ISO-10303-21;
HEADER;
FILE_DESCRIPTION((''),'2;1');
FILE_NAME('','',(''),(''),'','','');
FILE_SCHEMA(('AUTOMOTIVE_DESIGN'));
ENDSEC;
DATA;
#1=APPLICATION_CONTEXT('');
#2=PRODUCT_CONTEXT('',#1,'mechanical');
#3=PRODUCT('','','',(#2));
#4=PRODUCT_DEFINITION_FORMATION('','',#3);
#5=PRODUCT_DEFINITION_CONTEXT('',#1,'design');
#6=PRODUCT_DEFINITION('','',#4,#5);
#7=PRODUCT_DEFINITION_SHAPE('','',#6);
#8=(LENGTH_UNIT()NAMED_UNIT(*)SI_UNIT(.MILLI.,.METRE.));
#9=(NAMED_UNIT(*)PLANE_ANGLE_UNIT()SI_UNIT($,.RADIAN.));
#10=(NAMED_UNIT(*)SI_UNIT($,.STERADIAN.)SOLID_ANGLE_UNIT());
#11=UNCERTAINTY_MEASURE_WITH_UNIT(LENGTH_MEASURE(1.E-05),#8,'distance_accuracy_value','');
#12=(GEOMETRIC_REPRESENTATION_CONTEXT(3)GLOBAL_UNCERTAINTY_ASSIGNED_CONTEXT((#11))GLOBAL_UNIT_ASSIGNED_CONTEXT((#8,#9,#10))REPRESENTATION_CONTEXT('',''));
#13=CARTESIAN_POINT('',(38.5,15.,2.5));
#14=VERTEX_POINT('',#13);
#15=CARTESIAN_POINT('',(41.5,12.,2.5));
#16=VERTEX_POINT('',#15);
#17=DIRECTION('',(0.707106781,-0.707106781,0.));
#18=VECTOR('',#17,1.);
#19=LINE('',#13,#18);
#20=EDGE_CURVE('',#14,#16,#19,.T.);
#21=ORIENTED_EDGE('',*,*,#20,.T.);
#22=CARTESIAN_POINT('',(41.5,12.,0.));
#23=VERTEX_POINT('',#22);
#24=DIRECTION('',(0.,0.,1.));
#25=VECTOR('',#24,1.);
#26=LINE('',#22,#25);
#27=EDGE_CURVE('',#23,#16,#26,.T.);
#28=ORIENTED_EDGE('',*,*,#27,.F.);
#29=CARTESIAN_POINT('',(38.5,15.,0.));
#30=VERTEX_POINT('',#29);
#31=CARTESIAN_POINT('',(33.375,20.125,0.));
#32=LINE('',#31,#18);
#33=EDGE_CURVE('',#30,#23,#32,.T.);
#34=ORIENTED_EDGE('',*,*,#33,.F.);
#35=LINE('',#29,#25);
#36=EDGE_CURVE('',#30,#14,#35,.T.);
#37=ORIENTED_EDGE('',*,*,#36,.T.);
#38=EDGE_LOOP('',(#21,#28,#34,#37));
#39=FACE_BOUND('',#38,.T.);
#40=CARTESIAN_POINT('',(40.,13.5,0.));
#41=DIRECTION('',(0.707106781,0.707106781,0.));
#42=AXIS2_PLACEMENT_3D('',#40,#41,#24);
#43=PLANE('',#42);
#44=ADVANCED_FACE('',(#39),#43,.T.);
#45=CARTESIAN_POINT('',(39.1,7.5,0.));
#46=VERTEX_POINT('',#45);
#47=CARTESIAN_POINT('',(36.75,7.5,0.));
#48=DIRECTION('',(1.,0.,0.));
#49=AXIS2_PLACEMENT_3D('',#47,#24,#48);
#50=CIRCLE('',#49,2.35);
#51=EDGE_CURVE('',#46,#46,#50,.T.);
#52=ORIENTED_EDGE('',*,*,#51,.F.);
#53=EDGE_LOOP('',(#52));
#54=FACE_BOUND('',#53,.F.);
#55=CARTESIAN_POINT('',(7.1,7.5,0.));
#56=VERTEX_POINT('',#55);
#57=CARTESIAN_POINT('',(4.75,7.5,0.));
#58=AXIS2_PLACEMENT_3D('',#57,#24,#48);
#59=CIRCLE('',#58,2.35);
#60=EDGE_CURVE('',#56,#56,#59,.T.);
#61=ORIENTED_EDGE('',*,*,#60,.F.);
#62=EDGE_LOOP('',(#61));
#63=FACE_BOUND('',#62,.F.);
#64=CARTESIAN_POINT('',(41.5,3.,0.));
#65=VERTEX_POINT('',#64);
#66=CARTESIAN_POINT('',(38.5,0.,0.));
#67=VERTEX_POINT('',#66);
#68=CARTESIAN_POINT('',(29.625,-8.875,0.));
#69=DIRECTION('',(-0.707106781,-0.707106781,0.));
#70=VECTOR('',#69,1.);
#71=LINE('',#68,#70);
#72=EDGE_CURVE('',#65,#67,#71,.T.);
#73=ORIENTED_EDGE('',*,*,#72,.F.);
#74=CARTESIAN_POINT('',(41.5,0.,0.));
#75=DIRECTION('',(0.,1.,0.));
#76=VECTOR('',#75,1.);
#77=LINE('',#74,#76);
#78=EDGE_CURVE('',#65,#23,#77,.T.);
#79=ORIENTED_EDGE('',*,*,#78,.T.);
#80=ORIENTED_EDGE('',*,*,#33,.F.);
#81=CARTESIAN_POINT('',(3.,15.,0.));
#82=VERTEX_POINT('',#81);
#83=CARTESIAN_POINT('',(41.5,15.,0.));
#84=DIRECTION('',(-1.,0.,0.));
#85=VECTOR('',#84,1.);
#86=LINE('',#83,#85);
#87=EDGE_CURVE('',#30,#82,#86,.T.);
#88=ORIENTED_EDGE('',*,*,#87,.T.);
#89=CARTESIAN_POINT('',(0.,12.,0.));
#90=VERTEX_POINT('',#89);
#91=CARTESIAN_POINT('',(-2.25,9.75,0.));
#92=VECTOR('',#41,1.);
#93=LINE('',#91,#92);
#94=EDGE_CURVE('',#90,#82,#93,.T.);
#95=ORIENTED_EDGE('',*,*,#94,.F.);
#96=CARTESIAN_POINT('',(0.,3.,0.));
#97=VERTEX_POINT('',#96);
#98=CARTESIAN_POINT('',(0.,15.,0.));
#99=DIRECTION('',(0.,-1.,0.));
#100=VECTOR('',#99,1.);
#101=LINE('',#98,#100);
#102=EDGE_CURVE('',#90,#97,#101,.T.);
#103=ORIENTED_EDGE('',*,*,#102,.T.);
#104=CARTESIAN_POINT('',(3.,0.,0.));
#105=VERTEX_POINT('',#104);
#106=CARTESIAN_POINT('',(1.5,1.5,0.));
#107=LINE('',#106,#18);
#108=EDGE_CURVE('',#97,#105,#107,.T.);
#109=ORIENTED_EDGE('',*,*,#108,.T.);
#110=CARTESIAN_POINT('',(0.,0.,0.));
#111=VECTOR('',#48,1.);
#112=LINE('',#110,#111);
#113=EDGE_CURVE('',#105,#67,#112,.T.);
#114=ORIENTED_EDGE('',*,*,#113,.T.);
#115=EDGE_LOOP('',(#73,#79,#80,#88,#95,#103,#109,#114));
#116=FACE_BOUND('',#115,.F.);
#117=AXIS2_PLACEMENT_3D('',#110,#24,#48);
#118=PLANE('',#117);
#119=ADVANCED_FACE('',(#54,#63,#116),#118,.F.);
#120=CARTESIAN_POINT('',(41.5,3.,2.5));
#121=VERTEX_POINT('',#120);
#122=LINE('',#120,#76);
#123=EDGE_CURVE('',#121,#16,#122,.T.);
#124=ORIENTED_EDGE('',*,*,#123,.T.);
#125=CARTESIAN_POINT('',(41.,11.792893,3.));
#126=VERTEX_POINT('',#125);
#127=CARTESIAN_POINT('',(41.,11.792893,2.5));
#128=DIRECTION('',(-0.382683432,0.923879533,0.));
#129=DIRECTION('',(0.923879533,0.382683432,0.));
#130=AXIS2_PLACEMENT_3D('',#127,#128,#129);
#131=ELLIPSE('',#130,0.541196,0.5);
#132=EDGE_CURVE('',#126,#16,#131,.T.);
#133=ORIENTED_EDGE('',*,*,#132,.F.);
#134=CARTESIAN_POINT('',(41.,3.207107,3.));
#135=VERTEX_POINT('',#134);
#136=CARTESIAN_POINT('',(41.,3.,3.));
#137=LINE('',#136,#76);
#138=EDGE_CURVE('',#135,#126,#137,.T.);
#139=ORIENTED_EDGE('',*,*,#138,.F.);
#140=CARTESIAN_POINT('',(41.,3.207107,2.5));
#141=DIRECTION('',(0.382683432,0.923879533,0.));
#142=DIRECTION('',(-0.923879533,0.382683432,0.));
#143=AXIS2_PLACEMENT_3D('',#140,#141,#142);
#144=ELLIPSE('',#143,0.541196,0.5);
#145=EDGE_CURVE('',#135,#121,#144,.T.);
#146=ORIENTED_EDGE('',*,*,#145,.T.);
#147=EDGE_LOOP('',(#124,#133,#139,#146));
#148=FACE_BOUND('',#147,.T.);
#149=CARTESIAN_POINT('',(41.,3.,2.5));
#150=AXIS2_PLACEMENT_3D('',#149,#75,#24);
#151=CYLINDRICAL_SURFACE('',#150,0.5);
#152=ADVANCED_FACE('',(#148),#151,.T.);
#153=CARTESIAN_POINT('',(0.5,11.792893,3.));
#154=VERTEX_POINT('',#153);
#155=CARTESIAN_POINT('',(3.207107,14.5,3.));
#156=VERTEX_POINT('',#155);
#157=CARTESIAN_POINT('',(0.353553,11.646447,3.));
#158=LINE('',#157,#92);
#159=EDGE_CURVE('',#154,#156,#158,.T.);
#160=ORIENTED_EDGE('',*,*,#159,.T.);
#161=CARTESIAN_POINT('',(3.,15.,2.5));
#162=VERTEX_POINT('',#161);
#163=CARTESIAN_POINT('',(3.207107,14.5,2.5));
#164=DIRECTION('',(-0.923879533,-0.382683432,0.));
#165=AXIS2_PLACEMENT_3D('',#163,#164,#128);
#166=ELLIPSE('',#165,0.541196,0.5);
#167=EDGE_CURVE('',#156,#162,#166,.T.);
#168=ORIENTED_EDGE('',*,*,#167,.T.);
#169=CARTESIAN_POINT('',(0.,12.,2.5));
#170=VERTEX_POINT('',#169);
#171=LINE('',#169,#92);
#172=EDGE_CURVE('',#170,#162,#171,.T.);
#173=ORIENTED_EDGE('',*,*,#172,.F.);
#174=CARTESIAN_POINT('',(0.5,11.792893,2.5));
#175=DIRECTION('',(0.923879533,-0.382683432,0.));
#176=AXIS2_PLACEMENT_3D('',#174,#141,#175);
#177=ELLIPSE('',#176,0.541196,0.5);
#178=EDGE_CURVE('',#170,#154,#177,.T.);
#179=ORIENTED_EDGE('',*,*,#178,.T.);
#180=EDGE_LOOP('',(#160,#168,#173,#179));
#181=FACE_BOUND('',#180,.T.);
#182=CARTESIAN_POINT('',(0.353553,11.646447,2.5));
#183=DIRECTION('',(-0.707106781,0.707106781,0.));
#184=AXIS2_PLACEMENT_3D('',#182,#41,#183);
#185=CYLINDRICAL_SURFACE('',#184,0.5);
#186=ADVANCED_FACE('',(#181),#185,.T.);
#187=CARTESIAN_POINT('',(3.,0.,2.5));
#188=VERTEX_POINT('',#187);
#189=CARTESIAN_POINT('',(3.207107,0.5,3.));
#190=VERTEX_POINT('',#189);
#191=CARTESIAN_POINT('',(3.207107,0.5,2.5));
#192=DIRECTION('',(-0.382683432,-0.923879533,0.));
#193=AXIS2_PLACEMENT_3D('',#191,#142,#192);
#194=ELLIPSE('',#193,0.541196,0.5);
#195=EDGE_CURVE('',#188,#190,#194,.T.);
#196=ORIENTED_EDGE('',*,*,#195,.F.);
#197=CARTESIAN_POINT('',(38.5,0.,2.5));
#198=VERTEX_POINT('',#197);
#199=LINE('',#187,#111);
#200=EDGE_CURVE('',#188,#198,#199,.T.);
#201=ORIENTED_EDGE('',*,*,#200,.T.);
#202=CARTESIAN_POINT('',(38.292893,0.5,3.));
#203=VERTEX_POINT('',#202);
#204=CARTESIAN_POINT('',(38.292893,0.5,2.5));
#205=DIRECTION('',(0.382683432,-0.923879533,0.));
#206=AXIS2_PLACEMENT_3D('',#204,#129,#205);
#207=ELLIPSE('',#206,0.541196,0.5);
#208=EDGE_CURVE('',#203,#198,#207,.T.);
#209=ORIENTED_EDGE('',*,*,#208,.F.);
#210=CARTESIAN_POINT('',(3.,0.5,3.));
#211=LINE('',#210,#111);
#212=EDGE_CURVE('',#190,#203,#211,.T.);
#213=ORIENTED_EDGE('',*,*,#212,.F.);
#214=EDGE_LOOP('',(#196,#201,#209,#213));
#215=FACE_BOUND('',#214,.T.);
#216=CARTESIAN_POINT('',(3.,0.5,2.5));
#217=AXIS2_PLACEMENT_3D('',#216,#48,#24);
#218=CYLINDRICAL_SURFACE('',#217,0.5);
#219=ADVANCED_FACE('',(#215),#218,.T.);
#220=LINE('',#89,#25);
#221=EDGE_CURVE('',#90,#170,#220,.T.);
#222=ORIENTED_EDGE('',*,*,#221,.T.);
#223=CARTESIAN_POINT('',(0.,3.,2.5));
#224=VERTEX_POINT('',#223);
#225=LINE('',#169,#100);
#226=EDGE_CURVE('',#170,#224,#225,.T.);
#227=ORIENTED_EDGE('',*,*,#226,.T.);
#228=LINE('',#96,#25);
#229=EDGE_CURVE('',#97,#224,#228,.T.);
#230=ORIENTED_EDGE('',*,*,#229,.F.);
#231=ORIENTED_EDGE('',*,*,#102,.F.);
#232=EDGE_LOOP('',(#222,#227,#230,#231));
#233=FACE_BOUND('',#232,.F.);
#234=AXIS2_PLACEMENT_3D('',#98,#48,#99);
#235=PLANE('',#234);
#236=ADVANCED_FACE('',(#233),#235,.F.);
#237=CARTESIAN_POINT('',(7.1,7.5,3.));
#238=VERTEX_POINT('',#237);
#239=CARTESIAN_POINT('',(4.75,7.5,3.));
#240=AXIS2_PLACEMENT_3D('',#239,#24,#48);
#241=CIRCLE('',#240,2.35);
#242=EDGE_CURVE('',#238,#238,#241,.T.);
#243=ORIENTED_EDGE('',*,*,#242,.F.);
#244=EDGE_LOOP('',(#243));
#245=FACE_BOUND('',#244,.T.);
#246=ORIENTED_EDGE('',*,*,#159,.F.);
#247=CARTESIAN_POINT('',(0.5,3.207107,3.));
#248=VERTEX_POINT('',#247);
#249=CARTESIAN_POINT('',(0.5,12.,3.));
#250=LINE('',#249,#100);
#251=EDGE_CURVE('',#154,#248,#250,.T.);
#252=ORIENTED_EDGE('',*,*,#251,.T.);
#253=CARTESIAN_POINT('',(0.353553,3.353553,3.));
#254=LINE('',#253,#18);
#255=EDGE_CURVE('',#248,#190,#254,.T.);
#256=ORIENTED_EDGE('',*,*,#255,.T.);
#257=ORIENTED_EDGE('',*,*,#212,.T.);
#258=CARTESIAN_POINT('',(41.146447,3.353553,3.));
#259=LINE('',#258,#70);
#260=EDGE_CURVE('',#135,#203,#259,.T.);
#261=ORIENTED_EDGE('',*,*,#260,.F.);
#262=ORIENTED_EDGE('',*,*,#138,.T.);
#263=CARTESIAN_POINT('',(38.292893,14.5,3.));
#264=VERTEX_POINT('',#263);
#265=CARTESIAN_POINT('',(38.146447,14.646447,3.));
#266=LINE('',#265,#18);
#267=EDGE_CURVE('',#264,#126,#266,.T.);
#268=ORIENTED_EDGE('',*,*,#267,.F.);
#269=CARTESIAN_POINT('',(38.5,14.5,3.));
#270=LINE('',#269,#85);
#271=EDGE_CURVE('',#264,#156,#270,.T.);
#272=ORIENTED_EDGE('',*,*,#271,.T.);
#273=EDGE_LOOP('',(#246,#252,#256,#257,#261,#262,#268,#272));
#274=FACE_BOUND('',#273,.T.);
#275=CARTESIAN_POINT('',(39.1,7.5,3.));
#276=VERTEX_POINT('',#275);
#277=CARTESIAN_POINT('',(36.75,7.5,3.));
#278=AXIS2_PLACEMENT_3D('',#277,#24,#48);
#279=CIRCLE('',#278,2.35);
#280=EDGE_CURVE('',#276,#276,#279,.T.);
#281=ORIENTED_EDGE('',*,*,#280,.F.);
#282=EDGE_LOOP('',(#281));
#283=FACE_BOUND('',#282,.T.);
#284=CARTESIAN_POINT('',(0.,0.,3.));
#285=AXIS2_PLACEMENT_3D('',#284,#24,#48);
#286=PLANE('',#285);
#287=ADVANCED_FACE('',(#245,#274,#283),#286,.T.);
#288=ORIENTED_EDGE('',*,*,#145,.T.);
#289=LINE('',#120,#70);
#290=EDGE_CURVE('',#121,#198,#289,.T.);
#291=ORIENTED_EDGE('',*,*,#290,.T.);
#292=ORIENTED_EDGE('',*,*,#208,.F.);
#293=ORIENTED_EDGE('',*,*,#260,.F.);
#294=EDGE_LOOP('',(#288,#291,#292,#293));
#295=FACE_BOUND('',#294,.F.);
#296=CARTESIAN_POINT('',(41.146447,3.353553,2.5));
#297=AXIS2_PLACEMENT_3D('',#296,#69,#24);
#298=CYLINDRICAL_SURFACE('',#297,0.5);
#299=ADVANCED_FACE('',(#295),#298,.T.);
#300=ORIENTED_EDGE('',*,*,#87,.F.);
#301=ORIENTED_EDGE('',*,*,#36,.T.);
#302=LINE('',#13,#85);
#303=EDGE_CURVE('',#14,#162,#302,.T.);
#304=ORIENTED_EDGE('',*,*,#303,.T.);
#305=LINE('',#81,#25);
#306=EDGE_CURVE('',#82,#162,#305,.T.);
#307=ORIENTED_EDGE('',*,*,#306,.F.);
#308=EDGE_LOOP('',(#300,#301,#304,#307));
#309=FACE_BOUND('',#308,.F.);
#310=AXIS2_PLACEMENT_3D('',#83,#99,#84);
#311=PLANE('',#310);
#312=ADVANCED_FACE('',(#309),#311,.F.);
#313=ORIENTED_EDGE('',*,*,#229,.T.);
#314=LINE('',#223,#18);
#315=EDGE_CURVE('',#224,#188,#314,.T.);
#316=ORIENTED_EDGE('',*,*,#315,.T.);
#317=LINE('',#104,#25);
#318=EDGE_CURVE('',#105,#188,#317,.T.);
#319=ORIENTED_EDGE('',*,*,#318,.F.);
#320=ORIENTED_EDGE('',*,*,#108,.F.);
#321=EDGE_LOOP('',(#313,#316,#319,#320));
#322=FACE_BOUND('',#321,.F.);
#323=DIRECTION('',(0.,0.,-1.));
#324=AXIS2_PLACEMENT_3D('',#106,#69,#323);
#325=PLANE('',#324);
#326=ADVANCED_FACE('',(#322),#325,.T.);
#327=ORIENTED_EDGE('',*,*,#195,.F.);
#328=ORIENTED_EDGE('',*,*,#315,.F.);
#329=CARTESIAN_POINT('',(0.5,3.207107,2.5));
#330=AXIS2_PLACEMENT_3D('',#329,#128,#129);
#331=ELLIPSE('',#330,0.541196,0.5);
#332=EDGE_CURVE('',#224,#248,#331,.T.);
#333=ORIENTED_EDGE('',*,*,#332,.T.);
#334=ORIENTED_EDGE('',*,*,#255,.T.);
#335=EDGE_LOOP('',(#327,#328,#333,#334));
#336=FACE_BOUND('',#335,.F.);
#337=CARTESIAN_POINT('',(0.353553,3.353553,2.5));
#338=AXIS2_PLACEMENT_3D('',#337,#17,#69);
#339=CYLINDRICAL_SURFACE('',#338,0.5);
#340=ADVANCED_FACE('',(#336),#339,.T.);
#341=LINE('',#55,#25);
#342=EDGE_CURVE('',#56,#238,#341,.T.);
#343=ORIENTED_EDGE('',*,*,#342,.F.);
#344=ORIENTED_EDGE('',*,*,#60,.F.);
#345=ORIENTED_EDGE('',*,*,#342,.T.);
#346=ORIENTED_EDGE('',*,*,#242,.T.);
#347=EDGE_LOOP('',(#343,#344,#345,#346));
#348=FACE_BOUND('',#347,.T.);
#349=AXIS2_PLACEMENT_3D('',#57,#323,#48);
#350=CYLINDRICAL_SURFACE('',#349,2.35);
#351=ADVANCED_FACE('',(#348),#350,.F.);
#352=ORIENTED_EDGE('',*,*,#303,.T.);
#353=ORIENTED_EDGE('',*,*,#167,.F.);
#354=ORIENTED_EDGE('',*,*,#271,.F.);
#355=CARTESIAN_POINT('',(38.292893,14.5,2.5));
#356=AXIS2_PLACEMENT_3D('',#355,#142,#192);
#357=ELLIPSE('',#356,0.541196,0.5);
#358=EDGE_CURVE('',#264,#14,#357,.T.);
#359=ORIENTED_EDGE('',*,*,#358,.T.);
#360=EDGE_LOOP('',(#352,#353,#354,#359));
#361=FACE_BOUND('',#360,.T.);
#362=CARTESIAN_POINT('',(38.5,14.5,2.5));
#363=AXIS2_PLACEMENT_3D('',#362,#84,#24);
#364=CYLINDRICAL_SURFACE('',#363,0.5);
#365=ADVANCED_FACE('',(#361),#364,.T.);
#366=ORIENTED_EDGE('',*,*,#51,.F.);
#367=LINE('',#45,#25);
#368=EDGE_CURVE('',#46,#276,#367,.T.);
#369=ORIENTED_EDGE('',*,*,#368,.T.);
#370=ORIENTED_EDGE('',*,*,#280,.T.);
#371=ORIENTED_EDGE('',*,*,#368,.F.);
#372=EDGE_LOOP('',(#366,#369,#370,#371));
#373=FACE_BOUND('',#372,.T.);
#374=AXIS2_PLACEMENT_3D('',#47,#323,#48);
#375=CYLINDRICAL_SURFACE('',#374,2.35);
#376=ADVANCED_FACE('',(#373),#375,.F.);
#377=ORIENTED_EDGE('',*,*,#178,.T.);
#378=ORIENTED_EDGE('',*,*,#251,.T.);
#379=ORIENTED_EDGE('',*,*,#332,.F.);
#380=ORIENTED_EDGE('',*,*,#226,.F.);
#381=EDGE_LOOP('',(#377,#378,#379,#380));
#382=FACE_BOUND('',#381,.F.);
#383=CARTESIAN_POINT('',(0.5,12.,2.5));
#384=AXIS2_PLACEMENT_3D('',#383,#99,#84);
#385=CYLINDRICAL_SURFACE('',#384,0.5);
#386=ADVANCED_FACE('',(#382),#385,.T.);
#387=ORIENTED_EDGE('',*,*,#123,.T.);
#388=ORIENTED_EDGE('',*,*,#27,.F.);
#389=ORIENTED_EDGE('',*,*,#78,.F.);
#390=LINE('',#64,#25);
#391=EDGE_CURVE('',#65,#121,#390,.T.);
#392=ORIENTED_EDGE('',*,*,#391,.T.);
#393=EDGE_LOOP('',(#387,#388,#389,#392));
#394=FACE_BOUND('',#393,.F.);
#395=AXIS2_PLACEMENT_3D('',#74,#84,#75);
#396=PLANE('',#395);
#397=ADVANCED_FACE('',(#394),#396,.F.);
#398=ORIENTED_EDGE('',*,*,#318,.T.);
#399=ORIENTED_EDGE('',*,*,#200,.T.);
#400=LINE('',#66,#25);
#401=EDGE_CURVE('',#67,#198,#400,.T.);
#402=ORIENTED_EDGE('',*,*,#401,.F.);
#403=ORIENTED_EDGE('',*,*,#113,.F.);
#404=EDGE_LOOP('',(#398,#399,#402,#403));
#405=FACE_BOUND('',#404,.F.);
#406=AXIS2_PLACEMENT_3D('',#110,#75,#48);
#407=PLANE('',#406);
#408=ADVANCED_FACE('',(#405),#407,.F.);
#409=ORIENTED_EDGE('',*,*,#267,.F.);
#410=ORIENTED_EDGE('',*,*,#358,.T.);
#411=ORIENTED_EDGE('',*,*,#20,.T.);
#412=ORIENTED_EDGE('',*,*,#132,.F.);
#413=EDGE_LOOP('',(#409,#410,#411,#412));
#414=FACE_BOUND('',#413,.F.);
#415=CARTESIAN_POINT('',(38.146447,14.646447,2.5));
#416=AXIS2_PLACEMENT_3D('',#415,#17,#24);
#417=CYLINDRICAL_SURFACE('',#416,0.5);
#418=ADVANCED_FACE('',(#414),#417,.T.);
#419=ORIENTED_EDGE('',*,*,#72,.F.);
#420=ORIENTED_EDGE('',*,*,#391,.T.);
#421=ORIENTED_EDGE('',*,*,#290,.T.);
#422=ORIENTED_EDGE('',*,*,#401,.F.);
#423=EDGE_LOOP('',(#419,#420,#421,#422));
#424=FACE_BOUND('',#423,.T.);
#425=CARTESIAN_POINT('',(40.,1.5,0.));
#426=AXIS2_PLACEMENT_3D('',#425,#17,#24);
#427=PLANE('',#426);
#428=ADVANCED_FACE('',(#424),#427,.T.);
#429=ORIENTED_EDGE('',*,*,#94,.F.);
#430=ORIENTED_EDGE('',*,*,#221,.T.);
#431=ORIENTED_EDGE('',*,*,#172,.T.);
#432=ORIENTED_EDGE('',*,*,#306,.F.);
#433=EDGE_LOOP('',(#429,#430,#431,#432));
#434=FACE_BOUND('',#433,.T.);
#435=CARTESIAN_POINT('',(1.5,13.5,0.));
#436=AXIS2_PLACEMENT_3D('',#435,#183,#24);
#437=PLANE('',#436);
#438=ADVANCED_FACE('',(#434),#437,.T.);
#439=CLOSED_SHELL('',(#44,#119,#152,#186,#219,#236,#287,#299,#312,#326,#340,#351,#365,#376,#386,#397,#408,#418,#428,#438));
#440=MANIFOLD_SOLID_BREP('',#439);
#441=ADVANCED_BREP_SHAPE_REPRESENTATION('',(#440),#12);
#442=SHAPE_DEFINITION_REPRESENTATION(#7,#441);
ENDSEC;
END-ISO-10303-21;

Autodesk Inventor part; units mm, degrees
ref_plane "YZ Plane" through (0, 0, 0) normal (1, 0, 0) x (0, 1, 0)
ref_plane "XZ Plane" through (0, 0, 0) normal (0, 1, 0) x (-1, 0, 0)
ref_plane "XY Plane" through (0, 0, 0) normal (0, 0, 1) x (1, 0, 0)
sketch "Sketch1" plane through (0, 0, 0) normal (0, 0, 1) x (1, 0, 0)
  line L0 (0, 0) -> (41.5, 0)
  line L1 (41.5, 0) -> (41.5, 15)
  line L2 (41.5, 15) -> (0, 15)
  line L3 (0, 15) -> (0, 0)
  line L4 (0, 7.5) -> (41.5, 7.5) construction
  line L5 (20.75, 15) -> (20.75, 0) construction
  circle A0 centre (20.75, 7.5) radius 16 construction
  circle A1 centre (4.75, 7.5) radius 2.35
  circle A2 centre (36.75, 7.5) radius 2.35
  dimension "d0" = 41.5
  dimension "d1" = 15
  dimension "d2" = 32
  dimension "d3" = 4.7
  dimension "d4" = 4.7
extrude "Extrusion1" add sketch "Sketch1" along normal blind 3
chamfer "Chamfer1" distance 3 angle 45 4 edges at (0, 15, 1.5) (41.5, 15, 1.5) (41.5, 0, 1.5) (0, 0, 1.5)
fillet "Fillet1" radius 0.5 8 edges at (1.5, 1.5, 3) (20.75, 0, 3) (40, 1.5, 3) (41.5, 7.5, 3) (40, 13.5, 3) (20.75, 15, 3) (1.5, 13.5, 3) (0, 7.5, 3)
properties part number "MagneticLimitBaseSpacer3milTall"
